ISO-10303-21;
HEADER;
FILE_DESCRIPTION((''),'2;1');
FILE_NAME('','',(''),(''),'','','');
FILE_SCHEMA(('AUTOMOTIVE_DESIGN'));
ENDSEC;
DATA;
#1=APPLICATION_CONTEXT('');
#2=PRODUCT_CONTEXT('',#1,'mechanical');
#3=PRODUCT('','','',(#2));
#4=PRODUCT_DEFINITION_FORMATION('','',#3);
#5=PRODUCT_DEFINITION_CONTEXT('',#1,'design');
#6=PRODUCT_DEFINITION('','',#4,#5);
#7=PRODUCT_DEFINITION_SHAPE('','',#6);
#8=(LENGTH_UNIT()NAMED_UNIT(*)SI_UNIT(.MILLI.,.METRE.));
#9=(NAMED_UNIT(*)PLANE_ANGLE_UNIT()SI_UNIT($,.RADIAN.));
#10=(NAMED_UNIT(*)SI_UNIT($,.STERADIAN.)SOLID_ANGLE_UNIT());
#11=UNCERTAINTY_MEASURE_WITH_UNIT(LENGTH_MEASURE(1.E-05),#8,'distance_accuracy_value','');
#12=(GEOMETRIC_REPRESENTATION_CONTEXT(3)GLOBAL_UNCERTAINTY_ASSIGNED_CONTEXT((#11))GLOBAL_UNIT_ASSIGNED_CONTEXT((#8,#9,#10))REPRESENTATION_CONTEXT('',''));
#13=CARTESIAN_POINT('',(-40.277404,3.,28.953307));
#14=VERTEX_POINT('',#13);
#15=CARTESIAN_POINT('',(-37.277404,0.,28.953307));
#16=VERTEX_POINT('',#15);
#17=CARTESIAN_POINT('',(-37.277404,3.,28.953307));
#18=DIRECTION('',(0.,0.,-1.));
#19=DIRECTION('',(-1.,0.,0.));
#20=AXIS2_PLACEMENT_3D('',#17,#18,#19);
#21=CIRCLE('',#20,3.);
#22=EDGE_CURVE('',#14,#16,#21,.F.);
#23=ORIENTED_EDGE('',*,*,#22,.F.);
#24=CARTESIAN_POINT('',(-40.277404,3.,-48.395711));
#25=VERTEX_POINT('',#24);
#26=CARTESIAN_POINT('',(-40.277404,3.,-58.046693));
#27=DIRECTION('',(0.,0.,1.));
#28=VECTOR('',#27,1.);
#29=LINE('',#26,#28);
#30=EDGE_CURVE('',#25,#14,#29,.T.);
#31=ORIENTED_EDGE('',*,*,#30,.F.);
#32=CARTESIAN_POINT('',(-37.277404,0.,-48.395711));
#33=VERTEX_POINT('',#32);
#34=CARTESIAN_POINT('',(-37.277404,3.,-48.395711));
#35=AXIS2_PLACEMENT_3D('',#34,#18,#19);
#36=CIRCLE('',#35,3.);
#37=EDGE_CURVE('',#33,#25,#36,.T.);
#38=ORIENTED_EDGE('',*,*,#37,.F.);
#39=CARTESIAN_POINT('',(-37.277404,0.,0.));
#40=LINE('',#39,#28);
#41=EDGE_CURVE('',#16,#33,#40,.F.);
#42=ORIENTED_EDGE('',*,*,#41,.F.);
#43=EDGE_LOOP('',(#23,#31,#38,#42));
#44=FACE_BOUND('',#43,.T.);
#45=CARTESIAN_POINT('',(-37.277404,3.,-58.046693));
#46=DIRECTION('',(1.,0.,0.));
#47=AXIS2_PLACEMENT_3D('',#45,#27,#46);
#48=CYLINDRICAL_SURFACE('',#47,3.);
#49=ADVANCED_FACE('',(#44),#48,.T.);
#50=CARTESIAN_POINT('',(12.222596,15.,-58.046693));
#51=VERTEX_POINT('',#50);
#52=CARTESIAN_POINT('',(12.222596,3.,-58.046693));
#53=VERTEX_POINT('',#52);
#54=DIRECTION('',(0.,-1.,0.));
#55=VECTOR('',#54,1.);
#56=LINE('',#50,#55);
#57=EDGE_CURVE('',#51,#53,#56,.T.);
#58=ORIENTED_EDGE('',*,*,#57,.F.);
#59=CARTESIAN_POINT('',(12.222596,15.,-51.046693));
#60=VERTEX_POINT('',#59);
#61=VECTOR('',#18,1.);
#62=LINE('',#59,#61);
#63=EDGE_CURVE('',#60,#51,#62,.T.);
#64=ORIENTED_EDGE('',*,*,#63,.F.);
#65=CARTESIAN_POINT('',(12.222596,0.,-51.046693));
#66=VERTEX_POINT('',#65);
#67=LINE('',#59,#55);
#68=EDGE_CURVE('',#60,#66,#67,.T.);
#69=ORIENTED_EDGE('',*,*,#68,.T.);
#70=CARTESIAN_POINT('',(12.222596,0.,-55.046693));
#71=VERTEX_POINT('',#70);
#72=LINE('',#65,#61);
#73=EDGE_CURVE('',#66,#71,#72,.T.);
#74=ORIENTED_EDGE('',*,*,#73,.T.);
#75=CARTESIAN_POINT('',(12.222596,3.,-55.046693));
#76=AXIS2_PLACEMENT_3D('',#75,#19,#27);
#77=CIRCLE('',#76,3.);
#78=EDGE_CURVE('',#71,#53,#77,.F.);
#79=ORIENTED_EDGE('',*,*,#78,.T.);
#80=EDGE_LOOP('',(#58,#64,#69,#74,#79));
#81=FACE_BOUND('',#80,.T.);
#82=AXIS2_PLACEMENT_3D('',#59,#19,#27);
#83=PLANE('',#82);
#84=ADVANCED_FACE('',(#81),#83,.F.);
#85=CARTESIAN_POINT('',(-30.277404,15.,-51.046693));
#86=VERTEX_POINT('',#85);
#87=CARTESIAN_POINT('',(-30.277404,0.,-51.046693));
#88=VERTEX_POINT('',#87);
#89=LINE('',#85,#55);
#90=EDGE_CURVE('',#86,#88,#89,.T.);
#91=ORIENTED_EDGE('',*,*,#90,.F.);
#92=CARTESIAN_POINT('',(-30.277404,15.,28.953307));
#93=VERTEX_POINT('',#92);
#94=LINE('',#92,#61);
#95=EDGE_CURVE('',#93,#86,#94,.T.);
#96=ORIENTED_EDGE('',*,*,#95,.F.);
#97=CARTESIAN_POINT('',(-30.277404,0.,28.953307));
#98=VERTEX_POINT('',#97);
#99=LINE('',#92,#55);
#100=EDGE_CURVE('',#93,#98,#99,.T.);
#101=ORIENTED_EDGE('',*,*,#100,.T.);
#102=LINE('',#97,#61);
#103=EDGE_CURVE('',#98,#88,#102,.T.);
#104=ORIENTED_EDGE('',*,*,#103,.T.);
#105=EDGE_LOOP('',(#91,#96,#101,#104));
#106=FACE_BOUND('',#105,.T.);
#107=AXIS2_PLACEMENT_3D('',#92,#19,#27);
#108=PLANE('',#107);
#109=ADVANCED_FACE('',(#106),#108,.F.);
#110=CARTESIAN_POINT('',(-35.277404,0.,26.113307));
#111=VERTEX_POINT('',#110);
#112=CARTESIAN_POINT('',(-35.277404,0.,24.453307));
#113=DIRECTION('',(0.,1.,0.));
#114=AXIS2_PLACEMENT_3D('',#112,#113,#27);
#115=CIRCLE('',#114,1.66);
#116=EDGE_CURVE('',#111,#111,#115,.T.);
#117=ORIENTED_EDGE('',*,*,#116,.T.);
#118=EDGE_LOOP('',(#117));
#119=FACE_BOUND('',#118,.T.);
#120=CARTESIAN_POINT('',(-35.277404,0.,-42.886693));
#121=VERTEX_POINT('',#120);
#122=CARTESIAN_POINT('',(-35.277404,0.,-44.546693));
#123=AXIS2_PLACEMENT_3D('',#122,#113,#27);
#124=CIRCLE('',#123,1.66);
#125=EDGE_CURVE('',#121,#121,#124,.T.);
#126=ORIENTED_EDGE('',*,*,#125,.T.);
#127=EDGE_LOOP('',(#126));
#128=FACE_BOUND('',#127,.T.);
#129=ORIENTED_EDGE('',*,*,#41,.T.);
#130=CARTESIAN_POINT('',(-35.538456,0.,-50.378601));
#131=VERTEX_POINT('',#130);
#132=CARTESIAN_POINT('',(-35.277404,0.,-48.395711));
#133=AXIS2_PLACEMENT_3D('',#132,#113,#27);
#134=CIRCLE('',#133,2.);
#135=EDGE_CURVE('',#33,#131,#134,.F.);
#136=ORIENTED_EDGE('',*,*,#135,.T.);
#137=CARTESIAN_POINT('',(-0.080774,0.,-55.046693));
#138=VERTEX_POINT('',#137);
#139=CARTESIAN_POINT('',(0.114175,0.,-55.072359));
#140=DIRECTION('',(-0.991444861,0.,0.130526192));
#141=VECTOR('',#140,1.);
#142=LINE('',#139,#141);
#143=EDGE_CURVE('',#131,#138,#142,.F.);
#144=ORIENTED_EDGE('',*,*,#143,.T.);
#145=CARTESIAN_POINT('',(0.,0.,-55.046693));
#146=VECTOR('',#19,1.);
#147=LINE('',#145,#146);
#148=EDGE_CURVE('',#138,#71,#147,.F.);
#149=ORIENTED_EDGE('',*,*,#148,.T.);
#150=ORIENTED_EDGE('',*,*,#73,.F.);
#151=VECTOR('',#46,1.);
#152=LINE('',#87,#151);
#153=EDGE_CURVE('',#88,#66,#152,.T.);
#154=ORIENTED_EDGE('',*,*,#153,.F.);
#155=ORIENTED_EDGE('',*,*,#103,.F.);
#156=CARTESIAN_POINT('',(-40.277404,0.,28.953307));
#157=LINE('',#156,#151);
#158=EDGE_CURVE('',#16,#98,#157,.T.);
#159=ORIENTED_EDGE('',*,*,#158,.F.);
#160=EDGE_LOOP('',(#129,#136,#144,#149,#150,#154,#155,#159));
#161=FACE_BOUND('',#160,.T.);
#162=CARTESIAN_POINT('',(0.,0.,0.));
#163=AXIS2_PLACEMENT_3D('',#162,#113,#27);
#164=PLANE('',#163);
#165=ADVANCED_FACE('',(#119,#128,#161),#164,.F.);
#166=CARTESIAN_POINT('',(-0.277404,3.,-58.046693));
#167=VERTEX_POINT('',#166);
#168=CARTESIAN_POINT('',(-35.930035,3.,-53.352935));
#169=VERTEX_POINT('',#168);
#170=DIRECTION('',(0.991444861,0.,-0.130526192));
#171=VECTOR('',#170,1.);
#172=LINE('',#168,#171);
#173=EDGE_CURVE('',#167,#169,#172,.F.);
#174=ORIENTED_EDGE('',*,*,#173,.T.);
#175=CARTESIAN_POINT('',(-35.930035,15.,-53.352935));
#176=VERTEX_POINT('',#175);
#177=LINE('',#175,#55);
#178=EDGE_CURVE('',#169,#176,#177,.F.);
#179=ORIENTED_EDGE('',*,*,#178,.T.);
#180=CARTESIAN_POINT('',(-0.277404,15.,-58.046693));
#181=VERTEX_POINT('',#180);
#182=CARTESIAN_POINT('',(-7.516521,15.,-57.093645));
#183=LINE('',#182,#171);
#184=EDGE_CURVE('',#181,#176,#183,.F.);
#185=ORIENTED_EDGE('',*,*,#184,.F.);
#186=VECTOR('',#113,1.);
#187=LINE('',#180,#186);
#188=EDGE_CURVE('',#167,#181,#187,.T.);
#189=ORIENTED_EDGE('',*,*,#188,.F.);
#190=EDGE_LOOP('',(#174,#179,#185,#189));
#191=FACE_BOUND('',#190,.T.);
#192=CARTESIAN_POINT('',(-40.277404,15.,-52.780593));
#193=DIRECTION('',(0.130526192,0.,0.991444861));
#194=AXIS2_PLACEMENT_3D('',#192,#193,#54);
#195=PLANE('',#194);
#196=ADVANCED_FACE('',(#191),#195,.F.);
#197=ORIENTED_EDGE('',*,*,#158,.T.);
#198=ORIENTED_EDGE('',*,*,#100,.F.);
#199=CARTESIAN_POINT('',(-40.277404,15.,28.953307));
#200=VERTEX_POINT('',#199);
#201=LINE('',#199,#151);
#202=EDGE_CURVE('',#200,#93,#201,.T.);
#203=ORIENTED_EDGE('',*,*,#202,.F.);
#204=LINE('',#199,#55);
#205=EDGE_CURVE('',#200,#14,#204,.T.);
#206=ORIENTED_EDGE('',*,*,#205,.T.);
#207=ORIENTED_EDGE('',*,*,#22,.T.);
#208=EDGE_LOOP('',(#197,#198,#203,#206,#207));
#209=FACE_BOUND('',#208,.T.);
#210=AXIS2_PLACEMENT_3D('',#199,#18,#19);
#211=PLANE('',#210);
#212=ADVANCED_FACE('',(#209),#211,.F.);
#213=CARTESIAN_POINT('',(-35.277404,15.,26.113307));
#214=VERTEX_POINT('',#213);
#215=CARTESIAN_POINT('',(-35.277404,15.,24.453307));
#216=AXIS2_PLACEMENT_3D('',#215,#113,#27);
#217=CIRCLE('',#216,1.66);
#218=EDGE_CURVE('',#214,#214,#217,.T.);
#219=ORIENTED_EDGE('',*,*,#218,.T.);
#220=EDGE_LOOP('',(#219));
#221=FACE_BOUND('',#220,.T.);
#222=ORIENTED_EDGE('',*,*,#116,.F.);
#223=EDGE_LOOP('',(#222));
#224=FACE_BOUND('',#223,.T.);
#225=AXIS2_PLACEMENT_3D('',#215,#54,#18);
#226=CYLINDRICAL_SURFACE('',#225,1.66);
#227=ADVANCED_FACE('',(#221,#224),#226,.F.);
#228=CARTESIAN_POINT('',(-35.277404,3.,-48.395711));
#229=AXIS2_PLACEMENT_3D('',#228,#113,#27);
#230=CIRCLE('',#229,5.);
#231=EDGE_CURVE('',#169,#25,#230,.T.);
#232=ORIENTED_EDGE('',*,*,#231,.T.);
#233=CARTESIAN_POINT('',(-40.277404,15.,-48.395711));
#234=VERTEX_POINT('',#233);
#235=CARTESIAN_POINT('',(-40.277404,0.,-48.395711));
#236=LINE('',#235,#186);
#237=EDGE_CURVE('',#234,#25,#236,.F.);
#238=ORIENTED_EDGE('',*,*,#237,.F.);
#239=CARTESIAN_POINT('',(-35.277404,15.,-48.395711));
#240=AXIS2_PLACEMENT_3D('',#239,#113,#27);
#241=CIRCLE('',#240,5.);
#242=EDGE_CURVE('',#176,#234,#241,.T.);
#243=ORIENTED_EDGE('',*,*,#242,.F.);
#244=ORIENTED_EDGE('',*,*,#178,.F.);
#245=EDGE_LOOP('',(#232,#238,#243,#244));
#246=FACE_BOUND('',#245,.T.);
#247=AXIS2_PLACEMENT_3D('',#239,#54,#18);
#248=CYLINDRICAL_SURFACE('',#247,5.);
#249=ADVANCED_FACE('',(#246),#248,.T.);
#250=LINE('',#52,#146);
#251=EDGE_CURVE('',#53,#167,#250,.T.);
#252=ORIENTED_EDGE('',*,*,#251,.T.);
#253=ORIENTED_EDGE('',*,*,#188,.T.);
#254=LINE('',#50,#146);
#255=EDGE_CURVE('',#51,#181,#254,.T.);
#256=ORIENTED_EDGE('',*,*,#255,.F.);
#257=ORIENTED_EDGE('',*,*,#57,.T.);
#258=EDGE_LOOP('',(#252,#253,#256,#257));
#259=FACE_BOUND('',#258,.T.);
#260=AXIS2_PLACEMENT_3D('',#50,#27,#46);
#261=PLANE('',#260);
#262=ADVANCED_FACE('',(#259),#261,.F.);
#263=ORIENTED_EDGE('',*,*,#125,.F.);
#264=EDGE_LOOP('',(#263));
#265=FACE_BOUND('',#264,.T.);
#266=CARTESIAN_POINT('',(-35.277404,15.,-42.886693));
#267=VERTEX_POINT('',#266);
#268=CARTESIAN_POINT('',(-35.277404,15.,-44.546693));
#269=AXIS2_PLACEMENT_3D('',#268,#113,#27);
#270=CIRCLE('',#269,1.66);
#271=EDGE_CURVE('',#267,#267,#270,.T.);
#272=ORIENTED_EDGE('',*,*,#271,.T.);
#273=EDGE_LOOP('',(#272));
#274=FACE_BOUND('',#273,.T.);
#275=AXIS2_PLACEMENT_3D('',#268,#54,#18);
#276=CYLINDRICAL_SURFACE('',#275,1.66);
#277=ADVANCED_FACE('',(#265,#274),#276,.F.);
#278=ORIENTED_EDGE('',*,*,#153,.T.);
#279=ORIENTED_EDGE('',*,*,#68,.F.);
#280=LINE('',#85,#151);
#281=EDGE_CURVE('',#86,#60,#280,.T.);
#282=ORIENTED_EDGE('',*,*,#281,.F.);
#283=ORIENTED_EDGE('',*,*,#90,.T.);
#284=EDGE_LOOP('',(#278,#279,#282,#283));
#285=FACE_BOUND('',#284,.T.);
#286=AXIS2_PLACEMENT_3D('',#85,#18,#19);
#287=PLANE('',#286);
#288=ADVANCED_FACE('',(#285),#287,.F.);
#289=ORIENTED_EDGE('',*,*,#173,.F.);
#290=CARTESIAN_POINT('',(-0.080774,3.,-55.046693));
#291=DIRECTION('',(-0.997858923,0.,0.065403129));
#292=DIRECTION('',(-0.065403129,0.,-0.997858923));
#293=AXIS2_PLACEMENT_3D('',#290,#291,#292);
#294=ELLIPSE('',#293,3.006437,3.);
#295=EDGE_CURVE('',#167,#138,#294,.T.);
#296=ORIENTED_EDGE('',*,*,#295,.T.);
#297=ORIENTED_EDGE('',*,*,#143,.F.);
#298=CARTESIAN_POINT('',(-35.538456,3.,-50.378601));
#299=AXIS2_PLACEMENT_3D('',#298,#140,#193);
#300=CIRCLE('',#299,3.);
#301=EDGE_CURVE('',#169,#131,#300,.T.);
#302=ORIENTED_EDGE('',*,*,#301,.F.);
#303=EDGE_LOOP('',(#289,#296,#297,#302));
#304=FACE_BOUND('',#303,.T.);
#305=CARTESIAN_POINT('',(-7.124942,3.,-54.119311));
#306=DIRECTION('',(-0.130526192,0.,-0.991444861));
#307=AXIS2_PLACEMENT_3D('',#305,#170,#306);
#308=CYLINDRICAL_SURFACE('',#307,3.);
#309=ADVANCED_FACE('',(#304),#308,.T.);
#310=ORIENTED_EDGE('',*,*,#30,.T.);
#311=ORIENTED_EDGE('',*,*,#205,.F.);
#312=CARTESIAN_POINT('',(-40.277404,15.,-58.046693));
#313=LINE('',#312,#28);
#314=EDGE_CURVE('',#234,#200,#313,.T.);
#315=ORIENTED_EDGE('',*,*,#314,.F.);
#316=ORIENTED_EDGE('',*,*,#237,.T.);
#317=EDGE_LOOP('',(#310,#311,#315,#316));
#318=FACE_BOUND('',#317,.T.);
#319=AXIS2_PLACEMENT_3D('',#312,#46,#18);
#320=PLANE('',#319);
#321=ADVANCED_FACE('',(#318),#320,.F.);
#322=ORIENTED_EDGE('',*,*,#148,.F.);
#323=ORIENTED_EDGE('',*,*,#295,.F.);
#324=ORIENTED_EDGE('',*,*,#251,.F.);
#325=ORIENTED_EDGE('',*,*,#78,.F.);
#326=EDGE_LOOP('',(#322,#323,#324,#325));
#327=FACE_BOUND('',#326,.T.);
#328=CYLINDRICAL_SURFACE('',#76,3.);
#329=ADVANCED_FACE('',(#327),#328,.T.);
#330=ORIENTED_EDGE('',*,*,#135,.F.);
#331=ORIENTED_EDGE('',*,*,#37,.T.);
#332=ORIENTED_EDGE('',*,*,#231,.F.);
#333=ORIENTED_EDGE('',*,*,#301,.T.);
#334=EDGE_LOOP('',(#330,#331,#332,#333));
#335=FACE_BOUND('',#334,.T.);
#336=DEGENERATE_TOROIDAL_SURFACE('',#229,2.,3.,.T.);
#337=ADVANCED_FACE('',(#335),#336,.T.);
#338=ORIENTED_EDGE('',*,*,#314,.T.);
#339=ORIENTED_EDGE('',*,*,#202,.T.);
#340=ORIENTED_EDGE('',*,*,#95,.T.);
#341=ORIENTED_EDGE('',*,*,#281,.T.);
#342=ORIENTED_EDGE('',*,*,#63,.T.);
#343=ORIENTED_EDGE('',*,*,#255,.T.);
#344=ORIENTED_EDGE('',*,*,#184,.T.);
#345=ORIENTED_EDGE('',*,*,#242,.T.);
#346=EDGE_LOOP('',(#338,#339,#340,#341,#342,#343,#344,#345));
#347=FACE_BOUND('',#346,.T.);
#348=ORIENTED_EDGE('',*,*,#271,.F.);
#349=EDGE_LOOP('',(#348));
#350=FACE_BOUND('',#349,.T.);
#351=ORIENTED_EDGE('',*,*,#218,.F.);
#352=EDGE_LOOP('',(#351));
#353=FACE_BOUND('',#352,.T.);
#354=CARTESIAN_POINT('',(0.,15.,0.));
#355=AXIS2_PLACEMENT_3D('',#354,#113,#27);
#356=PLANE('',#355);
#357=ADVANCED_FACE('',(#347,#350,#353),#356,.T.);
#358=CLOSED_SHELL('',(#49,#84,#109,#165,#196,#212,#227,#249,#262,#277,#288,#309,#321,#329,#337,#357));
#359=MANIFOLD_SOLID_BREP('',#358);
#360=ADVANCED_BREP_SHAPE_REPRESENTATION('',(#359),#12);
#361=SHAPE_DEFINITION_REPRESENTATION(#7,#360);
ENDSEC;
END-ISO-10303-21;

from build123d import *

# Parameters (mm, degrees)
SKETCH1_R           = 1.66
BOSS_EXTRUDE1_DEPTH = 15
CHAMFER1_SIZE       = 40
CHAMFER1_SIZE2      = 5.266099903
FILLET1_R           = 5
FILLET2_R           = 3


with BuildPart() as part:
    # Sketch1 → Boss-Extrude1 (new body)
    with BuildSketch(Plane(origin=(0, 0, 0), x_dir=(1, 0, 0), z_dir=(0, 1, 0))):
        Polygon((-40.27740406, 58.046693319), (-40.27740406, -28.953306681), (-30.27740406, -28.953306681), (-30.27740406, 51.046693319), (12.22259594, 51.046693319), (12.22259594, 58.046693319), align=None)
        with Locations(Location((-35.27740406, -24.453306681, 0), (0, 0, 270))):  # turned: the seam where the file's is
            Circle(SKETCH1_R, mode=Mode.SUBTRACT)
        with Locations(Location((-35.27740406, 44.546693319, 0), (0, 0, 270))):  # turned: the seam where the file's is
            Circle(SKETCH1_R, mode=Mode.SUBTRACT)
    extrude(amount=BOSS_EXTRUDE1_DEPTH)

    # Chamfer1
    chamfer1_edges = [part.edges().sort_by_distance(p)[0] for p in [
        (-40.27740406, 7.5, -58.046693319),
    ]]
    chamfer1_side = [part.faces().sort_by_distance(p)[0] for p in [
        (-14.02740406, 7.5, -58.046693319),
    ]]
    chamfer(chamfer1_edges, length=CHAMFER1_SIZE, length2=CHAMFER1_SIZE2, reference=chamfer1_side[0])

    # Fillet1
    fillet1_edges = [part.edges().sort_by_distance(p)[0] for p in [
        (-40.27740406, 7.5, -52.780593416),
    ]]
    fillet(fillet1_edges, radius=FILLET1_R)

    # Fillet2
    fillet2_edges = [part.edges().sort_by_distance(p)[0] for p in [
        (-40.27740406, 0, -9.72120221),
        (-18.10371954, 0, -55.699814363),
        (-39.036603097, 0, -51.692440176),
        (5.97259594, 0, -58.046693319),
    ]]
    fillet(fillet2_edges, radius=FILLET2_R)


solid = part.part
